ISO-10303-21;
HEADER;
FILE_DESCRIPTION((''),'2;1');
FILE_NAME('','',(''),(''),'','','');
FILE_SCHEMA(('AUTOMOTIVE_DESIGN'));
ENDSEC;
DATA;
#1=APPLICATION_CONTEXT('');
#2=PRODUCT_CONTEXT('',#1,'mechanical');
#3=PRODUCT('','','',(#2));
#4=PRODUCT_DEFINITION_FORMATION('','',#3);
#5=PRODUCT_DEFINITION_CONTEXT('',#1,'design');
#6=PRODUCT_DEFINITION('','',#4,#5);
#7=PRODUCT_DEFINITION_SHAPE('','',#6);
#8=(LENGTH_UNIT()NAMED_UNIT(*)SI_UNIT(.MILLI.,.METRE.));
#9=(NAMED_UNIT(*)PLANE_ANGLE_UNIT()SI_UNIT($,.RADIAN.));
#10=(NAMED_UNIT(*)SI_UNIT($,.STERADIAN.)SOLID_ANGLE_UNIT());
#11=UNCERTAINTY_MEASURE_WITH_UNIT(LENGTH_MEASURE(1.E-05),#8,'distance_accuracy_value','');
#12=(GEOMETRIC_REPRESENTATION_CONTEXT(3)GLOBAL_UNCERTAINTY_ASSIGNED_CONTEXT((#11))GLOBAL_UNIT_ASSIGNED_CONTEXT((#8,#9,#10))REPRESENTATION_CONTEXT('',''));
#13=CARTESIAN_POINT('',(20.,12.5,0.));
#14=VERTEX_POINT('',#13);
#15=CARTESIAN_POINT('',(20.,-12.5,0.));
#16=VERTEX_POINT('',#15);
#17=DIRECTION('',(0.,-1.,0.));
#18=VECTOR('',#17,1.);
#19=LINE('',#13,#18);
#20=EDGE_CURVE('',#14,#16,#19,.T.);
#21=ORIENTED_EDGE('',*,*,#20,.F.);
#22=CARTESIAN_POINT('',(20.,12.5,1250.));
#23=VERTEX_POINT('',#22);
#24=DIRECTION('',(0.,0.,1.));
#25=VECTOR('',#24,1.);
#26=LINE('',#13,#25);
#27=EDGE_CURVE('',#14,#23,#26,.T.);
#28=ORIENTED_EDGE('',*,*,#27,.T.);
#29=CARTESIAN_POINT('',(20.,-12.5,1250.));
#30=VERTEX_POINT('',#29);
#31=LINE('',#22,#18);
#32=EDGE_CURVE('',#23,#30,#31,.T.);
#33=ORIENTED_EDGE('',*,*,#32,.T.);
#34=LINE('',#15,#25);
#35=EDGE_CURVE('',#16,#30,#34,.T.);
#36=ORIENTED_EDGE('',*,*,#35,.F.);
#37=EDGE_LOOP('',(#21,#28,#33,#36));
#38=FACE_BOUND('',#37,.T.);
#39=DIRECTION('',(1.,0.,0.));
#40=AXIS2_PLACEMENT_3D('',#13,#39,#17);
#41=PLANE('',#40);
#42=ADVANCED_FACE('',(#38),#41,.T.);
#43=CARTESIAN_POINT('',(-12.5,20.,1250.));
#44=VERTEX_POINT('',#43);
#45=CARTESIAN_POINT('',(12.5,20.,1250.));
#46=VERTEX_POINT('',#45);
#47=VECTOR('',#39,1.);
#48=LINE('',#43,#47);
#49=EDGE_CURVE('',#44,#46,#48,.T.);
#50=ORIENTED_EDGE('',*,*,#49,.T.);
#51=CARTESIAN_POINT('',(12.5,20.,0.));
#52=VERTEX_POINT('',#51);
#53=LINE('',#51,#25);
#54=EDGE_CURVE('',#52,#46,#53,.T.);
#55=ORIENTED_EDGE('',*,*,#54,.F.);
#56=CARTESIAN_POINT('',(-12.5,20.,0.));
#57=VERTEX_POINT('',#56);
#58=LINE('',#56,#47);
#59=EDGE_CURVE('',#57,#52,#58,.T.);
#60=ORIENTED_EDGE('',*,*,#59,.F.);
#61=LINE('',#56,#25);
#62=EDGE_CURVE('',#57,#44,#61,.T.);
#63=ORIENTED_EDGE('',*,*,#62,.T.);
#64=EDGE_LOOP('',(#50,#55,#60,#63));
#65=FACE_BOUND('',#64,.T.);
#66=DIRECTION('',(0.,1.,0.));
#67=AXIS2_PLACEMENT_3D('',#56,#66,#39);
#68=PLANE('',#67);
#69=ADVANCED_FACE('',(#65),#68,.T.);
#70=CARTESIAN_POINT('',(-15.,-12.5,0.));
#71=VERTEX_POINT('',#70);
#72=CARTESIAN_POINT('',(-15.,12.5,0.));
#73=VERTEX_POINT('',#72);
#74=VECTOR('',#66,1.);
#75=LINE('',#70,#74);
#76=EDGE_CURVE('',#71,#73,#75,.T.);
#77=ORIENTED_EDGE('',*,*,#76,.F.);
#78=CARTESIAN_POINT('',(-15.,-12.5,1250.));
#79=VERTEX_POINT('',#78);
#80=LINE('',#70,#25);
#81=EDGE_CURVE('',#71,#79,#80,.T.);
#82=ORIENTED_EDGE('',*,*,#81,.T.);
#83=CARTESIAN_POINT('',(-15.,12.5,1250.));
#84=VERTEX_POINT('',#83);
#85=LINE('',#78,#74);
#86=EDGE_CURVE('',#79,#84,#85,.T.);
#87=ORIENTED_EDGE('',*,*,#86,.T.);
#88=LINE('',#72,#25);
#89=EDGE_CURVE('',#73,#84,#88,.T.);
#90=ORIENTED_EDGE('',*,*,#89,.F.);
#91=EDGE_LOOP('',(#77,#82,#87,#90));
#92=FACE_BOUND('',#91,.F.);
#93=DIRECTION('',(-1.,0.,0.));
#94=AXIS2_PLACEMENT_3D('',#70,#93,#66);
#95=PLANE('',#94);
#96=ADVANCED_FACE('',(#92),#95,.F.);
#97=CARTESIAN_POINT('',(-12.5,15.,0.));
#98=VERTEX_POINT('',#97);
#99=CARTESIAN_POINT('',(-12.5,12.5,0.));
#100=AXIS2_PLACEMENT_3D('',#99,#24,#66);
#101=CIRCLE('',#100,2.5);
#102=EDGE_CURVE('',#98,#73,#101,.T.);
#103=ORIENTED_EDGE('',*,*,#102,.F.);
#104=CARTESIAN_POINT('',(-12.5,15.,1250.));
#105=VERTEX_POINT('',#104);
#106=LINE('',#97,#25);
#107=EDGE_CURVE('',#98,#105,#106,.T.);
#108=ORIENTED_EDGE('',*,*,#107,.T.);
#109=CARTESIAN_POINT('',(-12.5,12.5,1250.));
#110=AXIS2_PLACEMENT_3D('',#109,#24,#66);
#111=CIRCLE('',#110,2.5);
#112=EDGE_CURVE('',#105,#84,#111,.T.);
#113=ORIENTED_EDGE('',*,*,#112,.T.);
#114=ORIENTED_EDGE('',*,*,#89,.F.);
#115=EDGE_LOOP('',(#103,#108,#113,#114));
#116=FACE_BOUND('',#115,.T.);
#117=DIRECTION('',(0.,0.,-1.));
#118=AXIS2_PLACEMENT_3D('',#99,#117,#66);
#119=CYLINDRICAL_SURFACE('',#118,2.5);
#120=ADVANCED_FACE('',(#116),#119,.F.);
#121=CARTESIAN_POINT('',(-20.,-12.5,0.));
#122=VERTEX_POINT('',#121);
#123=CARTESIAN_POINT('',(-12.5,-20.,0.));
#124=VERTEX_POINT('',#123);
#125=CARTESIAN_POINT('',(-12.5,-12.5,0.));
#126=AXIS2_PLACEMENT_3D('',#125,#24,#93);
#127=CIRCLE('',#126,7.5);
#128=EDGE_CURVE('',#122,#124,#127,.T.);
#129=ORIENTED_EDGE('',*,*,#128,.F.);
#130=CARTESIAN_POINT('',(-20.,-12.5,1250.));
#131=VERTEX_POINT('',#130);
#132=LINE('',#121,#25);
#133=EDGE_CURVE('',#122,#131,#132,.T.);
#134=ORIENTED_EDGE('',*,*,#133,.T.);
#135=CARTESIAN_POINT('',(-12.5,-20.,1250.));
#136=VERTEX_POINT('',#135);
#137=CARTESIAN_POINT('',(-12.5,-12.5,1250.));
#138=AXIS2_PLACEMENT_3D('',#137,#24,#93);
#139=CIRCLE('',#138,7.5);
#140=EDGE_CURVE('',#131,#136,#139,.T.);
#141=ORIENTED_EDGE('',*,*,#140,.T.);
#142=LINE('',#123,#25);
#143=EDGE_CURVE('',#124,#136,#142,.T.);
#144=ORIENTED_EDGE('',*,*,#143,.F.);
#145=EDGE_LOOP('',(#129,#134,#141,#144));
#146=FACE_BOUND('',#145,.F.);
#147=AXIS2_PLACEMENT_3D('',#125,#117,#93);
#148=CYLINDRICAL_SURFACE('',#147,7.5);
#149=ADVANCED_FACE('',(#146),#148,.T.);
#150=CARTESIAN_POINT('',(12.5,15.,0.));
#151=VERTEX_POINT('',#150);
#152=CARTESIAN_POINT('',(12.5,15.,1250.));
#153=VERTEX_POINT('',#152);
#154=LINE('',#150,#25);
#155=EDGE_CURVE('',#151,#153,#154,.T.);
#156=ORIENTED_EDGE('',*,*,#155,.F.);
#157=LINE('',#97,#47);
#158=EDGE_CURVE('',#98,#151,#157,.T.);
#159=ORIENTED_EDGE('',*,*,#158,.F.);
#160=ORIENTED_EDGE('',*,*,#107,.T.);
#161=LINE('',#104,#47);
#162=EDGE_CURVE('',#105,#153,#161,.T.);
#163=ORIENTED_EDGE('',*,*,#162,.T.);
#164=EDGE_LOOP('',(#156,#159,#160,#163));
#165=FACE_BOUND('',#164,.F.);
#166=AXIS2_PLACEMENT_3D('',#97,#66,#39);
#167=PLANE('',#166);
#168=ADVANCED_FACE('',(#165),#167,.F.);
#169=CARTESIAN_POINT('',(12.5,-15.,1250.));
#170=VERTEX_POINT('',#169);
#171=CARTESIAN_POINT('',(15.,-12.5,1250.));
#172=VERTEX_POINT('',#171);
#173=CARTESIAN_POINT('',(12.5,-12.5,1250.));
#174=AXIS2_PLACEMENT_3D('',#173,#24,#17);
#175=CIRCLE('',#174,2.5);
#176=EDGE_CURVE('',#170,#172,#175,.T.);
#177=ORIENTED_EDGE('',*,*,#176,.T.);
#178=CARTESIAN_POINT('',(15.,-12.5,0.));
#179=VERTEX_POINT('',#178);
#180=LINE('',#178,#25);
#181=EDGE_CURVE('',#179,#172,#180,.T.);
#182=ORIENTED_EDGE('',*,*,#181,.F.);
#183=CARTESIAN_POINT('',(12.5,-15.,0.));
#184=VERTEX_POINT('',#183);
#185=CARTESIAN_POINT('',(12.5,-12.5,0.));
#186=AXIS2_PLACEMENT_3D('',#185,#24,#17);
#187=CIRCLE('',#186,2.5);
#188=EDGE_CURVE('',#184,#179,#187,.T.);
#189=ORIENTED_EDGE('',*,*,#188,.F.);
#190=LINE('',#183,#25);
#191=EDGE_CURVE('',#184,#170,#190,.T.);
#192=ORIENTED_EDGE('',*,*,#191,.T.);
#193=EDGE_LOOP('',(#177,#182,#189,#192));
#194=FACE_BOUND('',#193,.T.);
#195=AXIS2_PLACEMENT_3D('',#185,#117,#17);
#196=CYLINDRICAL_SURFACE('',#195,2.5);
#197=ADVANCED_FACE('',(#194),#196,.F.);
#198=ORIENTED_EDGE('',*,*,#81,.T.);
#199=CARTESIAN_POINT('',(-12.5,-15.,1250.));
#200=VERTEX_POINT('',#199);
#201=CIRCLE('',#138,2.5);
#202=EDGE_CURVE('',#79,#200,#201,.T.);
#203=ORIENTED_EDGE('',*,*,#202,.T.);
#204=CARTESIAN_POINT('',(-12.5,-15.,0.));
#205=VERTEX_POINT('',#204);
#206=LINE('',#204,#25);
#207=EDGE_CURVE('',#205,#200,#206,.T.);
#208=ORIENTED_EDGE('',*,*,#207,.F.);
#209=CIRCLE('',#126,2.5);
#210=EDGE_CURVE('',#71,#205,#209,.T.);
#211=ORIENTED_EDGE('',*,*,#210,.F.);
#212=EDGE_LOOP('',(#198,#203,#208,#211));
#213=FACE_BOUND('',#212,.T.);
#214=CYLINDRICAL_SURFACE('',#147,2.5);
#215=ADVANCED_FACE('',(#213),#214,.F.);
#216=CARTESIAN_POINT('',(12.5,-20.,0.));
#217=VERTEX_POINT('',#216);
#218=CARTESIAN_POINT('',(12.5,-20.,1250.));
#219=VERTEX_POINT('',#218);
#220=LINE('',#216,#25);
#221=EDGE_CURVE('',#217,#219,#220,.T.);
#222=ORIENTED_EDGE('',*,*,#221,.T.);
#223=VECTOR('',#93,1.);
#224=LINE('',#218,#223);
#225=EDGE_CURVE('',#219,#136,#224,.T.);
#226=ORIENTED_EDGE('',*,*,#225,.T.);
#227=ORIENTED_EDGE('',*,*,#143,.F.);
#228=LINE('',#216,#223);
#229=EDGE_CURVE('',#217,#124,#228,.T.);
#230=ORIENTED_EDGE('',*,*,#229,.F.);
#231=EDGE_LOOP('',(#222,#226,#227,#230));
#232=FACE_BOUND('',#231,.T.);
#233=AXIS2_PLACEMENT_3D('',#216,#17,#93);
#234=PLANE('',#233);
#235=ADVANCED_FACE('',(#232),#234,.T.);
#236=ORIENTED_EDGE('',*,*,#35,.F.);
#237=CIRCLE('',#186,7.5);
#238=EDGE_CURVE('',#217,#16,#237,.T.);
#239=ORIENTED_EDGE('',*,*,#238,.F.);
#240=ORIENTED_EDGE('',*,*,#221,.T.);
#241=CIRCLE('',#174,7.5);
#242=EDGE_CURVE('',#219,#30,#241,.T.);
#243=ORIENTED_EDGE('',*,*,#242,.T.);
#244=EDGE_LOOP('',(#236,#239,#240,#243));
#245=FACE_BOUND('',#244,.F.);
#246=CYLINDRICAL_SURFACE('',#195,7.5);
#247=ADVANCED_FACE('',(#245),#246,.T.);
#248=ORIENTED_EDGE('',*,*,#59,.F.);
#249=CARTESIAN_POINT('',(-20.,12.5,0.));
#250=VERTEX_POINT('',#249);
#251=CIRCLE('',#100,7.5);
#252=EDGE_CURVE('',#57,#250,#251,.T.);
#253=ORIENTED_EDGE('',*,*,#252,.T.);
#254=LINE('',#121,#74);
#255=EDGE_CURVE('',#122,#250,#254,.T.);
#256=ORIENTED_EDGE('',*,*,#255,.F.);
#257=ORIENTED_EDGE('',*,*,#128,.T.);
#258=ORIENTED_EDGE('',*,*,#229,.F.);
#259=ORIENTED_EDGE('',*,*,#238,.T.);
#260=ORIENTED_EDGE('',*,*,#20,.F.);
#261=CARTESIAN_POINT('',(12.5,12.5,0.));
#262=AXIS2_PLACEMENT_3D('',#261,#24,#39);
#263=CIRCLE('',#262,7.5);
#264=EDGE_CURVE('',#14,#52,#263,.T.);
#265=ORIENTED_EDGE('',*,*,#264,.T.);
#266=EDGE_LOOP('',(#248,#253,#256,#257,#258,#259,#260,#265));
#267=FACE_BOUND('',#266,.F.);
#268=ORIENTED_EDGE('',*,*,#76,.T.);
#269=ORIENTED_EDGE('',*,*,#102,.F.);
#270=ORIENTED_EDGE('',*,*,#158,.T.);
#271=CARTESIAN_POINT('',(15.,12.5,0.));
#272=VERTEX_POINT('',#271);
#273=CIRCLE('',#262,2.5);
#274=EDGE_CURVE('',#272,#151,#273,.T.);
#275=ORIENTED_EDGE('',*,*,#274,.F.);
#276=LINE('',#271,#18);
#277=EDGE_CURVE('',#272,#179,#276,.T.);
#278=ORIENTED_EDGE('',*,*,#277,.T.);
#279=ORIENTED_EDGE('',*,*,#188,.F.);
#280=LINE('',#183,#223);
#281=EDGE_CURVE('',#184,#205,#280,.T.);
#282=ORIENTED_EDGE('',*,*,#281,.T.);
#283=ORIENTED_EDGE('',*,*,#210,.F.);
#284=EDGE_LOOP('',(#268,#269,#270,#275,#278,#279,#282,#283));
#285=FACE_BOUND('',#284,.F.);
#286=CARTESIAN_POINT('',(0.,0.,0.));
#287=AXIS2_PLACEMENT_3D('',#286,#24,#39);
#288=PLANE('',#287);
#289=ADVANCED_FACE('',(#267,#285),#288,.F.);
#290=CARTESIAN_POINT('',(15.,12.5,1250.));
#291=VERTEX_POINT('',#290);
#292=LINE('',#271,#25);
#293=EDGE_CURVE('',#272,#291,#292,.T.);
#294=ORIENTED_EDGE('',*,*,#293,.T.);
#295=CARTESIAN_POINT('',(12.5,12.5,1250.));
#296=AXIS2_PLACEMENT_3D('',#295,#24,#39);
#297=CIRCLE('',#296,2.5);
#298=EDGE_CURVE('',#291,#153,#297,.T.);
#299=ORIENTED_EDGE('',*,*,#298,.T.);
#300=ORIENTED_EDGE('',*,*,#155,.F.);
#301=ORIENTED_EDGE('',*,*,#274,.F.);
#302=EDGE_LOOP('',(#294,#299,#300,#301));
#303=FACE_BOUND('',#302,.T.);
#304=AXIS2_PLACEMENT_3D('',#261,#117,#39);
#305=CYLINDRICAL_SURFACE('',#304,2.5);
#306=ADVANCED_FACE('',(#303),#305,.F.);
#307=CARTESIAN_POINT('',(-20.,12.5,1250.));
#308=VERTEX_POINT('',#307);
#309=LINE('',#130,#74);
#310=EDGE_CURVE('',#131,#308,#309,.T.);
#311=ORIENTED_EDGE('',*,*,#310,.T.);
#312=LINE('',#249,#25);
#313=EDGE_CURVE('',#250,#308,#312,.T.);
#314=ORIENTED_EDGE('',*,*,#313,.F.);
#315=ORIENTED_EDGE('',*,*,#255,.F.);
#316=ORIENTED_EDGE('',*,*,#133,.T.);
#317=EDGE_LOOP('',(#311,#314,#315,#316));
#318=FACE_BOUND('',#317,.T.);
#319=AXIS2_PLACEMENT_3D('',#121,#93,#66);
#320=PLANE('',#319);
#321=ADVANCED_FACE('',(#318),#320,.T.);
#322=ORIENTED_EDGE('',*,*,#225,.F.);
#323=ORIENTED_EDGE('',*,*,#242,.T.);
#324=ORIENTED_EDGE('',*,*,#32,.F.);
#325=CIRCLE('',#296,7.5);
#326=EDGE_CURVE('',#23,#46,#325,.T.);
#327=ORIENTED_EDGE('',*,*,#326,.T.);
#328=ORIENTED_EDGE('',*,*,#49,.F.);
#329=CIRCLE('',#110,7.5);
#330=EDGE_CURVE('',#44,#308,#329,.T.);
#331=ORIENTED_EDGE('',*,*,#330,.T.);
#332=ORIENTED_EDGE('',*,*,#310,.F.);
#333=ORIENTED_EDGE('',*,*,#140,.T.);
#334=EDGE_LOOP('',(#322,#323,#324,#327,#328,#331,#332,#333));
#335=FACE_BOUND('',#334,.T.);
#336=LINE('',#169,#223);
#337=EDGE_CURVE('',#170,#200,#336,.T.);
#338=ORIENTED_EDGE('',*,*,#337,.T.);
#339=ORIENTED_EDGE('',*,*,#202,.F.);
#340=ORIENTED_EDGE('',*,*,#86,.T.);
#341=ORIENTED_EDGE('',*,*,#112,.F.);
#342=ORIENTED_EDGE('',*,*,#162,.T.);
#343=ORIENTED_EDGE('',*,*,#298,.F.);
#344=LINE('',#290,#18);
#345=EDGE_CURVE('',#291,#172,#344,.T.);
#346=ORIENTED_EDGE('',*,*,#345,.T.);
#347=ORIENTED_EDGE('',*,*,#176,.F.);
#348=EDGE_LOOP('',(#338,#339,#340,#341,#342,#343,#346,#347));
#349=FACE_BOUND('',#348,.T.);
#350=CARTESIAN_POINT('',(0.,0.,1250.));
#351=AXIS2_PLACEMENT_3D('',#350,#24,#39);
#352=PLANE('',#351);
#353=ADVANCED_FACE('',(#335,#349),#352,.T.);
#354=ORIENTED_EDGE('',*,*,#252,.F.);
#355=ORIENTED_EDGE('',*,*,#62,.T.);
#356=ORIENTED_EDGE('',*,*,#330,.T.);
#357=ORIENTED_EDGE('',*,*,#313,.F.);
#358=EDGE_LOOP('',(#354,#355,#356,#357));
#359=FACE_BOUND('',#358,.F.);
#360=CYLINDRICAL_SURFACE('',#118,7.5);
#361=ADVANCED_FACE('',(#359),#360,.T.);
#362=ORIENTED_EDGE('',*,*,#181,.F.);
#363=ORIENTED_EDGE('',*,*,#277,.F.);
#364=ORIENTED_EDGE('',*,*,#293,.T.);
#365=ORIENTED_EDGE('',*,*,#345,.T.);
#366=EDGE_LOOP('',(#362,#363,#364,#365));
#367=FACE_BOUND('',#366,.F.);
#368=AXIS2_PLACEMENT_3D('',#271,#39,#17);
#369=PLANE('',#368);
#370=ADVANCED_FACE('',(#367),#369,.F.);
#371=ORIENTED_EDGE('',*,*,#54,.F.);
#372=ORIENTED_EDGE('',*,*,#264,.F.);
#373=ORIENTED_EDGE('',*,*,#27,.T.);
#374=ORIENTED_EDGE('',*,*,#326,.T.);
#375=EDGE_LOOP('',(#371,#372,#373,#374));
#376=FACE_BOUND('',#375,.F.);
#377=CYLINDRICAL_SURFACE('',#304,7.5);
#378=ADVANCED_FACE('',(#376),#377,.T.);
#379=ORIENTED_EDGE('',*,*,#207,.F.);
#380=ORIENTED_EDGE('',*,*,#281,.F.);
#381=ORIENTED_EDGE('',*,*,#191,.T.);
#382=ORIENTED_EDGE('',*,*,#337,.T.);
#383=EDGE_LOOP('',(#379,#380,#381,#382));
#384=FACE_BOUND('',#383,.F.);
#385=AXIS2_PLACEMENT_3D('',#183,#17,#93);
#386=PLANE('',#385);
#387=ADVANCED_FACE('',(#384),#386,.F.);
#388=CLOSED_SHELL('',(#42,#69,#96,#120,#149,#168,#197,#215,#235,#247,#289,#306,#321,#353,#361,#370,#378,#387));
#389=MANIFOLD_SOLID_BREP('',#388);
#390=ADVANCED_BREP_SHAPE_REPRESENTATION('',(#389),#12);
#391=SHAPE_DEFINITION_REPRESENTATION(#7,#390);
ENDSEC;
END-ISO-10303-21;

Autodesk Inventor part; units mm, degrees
ref_plane "YZ Plane" through (0, 0, 0) normal (1, 0, 0) x (0, 1, 0)
ref_plane "Start Plane" through (0, 0, 0) normal (0, 0, 1) x (1, 0, 0)
ref_plane "End Plane" through (0, 0, 1250) normal (0, 0, 1) x (1, 0, 0)
sketch "Sketch" plane through (0, 0, 0) normal (0, 0, 1) x (1, 0, 0)
  line L0 (-20, -12.5) -> (-20, 12.5)
  line L1 (-12.5, 20) -> (12.5, 20)
  line L2 (20, 12.5) -> (20, -12.5)
  line L3 (12.5, -20) -> (-12.5, -20)
  arc A0 (-20, -12.5) -> (-12.5, -20) centre (-12.5, -12.5) ccw
  arc A1 (-12.5, 20) -> (-20, 12.5) centre (-12.5, 12.5) ccw
  arc A2 (20, 12.5) -> (12.5, 20) centre (12.5, 12.5) ccw
  arc A3 (12.5, -20) -> (20, -12.5) centre (12.5, -12.5) ccw
  arc A4 (-12.5, 15) -> (-15, 12.5) centre (-12.5, 12.5) ccw
  line L4 (-12.5, 15) -> (12.5, 15)
  arc A5 (15, 12.5) -> (12.5, 15) centre (12.5, 12.5) ccw
  line L5 (15, 12.5) -> (15, -12.5)
  arc A6 (12.5, -15) -> (15, -12.5) centre (12.5, -12.5) ccw
  line L6 (12.5, -15) -> (-12.5, -15)
  arc A7 (-15, -12.5) -> (-12.5, -15) centre (-12.5, -12.5) ccw
  line L7 (-15, -12.5) -> (-15, 12.5)
  line L8 (0, 30.1746) -> (0, -30.1746) construction
  line L9 (-30.1746, 0) -> (30.1746, 0) construction
  dimension "d7" = 7.5
  dimension "d10" = 40
  dimension "d11" = 40
  dimension "d12" = 5
  dimension "d15" = 20
  dimension "d16" = 20
extrude "Body" add sketch "Sketch" along normal up to surface (1250 mm away) from surface at 0
sketch "Sketch3" plane through (0, 0, 0) normal (0, 0, 1) x (1, 0, 0)
  line L0 (0, 0) -> (10, 0)
ref_plane "Work Plane3" through (0, 0, 0) normal (0, -1, 0) x (1, 0, 0)
sketch "Sketch4" plane through (0, 0, 0) normal (0, -1, 0) x (1, 0, 0)
  line L0 (-2, 0) -> (12, 0)
  line L1 (-2, 1250) -> (12, 1250)
  dimension "d18" = 1250
equation "\"d7\" = G_IR"
equation "\"d10\" = G_H"
equation "\"d11\" = G_W"
equation "\"d12\" = G_T"
equation "\"d15\" = 0.5 * d10"
equation "\"d16\" = 0.5 * d11"
equation "\"d3\" = G_L"
equation "\"G_W\" = 40"
equation "\"G_H\" = 40"
equation "\"G_T\" = 5"
equation "\"G_IR\" = 7.5"
equation "\"G_L\" = d18"
equation "\"G_OFFSET_START\" = 0"
equation "\"G_OFFSET_END\" = 0"
properties part number "ISO 12633-2 - 40x40x5 - 1250" material "Steel, Mild"
